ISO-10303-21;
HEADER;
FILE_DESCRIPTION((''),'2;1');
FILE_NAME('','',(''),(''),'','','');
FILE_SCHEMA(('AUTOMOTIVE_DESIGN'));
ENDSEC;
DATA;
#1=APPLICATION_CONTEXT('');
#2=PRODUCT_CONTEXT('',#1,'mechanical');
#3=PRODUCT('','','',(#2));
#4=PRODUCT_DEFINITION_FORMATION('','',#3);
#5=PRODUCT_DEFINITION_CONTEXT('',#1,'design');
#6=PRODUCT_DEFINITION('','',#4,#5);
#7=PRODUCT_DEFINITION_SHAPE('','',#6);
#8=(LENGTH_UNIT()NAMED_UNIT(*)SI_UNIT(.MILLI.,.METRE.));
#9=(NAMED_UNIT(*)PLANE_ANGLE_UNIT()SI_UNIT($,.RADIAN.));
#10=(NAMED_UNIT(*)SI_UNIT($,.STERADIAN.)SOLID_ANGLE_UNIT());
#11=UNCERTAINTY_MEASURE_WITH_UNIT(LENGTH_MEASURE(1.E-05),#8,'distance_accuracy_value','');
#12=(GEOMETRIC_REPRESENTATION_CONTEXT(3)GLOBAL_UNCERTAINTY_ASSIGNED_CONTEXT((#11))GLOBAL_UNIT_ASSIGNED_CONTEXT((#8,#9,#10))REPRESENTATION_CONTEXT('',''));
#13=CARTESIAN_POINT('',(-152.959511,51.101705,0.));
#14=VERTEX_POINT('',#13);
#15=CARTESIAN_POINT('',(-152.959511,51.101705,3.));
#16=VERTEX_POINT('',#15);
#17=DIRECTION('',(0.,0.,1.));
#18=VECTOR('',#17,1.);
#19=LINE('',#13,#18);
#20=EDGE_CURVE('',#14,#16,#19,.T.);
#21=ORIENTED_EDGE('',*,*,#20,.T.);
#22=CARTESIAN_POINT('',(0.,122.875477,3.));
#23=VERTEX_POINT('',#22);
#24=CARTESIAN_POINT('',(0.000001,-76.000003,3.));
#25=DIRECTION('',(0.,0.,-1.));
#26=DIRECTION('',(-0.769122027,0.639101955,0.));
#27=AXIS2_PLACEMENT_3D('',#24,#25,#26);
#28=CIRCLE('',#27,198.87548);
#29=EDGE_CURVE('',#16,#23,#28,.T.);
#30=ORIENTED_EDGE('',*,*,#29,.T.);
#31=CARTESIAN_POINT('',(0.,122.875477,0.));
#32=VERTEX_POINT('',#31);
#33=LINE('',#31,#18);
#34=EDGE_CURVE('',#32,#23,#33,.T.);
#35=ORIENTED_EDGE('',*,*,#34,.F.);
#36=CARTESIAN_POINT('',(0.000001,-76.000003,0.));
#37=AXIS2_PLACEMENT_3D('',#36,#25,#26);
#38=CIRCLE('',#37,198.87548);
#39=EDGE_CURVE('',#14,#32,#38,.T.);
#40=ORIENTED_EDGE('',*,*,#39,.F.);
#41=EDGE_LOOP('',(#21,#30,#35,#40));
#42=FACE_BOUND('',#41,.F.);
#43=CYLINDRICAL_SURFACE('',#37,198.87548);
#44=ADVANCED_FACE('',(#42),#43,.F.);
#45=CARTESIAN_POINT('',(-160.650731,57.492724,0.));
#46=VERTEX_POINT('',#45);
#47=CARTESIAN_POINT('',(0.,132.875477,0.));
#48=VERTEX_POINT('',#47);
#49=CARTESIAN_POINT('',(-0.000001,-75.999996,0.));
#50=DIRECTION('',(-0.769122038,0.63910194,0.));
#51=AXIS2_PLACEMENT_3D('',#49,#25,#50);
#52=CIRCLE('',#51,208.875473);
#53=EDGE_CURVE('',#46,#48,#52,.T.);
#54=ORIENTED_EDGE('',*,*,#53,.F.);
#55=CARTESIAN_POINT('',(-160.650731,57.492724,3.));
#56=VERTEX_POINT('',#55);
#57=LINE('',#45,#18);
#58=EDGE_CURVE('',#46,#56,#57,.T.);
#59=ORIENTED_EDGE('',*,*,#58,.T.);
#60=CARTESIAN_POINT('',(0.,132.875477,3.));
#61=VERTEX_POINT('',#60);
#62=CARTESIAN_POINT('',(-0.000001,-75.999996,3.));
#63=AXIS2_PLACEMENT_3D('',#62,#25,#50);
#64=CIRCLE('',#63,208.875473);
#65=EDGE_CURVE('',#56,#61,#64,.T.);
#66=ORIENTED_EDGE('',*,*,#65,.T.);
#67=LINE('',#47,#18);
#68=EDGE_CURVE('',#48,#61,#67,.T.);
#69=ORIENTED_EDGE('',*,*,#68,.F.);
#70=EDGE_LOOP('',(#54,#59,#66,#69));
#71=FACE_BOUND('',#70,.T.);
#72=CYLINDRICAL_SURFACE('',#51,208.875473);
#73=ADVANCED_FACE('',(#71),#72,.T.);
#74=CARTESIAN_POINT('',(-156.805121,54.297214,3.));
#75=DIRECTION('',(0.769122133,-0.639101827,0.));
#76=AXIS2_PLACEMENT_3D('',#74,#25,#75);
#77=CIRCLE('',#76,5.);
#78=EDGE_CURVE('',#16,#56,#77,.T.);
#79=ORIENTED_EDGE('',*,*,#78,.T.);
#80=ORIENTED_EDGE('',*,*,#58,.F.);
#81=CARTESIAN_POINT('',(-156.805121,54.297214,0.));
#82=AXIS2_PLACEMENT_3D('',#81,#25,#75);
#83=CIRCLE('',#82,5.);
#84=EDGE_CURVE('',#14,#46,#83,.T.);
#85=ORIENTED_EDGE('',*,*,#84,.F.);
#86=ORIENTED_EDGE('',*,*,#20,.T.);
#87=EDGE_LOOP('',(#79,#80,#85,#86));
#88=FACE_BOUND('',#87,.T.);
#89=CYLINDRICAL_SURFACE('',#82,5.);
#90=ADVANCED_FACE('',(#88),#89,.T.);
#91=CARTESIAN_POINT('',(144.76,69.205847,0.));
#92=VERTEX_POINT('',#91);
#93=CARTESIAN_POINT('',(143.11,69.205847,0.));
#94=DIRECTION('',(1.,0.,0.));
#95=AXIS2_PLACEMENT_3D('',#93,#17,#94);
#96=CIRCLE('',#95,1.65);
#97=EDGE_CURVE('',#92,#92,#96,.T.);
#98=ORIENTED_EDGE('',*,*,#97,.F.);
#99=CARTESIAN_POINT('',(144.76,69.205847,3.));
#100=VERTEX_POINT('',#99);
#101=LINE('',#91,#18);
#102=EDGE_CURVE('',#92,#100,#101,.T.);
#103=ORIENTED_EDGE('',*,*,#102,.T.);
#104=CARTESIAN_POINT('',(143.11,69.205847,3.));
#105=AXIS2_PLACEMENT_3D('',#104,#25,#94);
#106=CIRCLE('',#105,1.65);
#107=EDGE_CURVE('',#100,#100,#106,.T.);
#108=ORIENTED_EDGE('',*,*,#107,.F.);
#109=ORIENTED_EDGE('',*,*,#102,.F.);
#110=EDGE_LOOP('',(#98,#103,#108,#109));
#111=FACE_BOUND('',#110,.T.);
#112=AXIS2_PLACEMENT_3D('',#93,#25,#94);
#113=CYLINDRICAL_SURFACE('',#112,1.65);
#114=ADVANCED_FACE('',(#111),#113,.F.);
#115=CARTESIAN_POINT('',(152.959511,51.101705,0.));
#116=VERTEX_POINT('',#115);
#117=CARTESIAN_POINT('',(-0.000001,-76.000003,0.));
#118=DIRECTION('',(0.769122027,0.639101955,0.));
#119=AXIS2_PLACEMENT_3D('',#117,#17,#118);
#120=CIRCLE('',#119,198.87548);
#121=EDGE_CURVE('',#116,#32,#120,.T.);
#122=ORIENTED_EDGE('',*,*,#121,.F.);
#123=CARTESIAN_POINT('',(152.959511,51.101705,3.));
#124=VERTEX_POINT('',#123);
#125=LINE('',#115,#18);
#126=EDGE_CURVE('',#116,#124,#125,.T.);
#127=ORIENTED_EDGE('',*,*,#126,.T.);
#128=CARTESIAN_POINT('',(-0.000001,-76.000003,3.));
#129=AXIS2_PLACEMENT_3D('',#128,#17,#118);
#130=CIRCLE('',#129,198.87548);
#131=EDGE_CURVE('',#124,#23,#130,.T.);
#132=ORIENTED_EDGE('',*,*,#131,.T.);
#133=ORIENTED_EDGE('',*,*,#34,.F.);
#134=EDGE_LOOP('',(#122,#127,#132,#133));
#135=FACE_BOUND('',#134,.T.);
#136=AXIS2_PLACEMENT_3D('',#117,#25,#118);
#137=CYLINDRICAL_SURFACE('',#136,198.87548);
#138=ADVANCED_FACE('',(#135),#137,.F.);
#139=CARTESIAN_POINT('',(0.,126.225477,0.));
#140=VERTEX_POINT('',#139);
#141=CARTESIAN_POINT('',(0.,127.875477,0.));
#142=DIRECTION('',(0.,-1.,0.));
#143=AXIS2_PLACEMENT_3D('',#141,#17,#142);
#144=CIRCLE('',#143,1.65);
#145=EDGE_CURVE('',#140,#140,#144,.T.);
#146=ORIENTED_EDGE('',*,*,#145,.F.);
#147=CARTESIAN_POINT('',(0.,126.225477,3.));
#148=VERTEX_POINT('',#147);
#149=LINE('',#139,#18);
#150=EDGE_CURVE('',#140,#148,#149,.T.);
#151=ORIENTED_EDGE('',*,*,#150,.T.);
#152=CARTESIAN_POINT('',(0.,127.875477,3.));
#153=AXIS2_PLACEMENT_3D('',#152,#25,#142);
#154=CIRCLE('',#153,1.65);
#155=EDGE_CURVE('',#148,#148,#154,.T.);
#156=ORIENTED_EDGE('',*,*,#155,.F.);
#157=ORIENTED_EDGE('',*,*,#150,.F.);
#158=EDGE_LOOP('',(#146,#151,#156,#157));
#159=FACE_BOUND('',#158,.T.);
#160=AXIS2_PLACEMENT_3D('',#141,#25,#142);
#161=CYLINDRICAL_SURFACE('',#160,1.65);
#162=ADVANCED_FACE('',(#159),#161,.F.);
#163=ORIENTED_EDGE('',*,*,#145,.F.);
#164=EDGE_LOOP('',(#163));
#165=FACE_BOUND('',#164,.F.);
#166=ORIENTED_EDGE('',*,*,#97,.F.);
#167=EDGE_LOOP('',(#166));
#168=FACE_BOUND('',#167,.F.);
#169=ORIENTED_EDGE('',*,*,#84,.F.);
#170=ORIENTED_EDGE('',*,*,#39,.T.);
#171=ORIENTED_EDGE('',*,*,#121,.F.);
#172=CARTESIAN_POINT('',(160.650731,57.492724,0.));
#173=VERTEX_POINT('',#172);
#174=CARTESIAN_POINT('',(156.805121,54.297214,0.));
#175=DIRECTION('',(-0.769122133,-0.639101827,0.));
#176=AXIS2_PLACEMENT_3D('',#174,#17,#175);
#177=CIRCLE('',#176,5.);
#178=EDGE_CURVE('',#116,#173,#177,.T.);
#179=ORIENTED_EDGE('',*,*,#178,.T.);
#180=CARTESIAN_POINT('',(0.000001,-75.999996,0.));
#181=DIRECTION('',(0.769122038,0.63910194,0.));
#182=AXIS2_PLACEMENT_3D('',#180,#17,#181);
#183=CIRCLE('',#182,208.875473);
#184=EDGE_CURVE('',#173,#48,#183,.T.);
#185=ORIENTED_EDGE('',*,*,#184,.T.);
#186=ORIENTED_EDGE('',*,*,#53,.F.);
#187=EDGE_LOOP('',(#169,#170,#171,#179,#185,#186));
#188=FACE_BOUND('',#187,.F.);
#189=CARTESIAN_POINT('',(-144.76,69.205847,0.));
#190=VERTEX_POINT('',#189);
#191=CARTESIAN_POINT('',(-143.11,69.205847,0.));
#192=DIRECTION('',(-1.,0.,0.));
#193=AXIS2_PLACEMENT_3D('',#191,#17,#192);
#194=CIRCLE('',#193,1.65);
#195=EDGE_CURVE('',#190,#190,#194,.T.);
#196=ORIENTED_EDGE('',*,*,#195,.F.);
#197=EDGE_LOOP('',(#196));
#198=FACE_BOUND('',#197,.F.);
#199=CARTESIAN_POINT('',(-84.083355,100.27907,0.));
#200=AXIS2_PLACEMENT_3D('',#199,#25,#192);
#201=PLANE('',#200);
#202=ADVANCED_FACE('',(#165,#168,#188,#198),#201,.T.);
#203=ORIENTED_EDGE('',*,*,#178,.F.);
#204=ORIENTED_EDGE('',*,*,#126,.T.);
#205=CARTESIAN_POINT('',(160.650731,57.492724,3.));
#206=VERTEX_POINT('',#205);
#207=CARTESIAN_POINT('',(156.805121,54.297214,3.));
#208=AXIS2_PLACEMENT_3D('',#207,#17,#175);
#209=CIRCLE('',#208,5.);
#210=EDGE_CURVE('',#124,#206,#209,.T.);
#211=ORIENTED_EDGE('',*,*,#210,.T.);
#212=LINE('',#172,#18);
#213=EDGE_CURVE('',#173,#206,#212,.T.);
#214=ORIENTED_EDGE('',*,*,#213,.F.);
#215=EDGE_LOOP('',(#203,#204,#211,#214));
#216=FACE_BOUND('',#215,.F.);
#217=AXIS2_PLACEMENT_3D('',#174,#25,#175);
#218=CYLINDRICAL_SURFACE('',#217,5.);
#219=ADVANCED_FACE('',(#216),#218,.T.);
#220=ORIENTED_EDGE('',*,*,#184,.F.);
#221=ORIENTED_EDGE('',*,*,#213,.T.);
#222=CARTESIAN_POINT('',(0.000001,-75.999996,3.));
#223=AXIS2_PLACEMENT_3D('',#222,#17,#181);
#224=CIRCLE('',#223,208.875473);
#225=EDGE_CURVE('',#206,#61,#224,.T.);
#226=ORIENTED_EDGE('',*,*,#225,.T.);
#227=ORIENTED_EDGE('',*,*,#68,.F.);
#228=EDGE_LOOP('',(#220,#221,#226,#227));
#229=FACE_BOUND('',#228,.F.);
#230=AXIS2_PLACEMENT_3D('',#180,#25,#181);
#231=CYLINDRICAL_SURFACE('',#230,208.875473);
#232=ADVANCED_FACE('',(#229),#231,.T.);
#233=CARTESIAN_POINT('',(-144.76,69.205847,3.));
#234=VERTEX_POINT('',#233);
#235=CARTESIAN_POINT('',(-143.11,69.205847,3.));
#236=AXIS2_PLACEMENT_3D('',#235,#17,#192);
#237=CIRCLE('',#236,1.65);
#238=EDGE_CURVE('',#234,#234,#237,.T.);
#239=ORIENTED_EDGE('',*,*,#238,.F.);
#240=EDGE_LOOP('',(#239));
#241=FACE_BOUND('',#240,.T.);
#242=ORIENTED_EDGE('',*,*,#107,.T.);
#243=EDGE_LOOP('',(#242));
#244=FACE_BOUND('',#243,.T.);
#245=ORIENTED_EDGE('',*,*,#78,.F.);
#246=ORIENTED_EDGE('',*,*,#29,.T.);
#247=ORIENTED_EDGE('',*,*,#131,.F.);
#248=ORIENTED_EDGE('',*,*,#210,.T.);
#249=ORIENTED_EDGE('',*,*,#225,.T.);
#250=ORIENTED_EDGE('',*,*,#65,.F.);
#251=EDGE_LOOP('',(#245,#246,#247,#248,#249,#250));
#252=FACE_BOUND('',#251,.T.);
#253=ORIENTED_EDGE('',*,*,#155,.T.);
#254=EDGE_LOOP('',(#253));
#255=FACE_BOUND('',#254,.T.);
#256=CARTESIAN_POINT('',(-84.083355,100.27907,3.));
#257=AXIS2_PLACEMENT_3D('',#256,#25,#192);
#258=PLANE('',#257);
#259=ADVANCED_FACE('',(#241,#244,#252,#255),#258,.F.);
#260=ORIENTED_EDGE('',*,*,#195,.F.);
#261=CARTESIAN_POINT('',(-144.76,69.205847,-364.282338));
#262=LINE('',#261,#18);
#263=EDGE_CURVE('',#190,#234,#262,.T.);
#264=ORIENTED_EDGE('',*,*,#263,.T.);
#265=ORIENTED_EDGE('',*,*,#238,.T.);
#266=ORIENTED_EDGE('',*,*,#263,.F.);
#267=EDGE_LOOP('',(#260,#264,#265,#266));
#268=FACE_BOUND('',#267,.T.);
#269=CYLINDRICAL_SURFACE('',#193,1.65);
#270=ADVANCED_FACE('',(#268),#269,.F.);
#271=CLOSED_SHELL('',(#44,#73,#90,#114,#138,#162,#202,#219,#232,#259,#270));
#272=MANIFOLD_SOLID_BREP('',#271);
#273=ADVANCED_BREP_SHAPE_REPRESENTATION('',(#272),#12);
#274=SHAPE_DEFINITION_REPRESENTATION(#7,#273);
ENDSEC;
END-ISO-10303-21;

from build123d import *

# Parameters (mm, degrees)
PAD014_DEPTH                        = 3
SKETCH055_R                         = 1.65
POCKET019_DEPTH                     = 364.282338
POCKET019_DEPTH_BACK                = 367.282338
BODY001003005003003_PLACEMENT_ANGLE = 60
CLONE023_PLACEMENT_ANGLE            = 60


with BuildPart() as part:
    # Sketch052 → Pad014 (new body)
    with BuildSketch(Plane.XY):
        with BuildLine():
            ThreePointArc((152.959511, 127.101705), (84.480895, 180.040089), (0, 198.875477))
            Line((0, 198.875477), (0, 208.875477))
            ThreePointArc((160.650731, 133.492724), (88.728824, 189.092995), (0, 208.875477))
            ThreePointArc((152.959511, 127.101705), (160.000631, 126.451604), (160.650731, 133.492724))
        make_face()
    pad014 = extrude(amount=PAD014_DEPTH)

    # Sketch055 → Pocket019 (cut, two sides)
    with BuildSketch(Plane.XY) as pocket019_sk:
        with Locations((143.11, 145.205847)):
            Circle(SKETCH055_R)
        with BuildLine():
            Line((0, 202.225477), (0, 205.525477))
            ThreePointArc((0, 202.225477), (1.65, 203.875477), (0, 205.525477))
        make_face()
    pocket019 = extrude(amount=-POCKET019_DEPTH, mode=Mode.SUBTRACT) + extrude(pocket019_sk.sketch, amount=POCKET019_DEPTH_BACK, mode=Mode.SUBTRACT)

    # Mirrored019: Pad014, Pocket019 across Sketch052 V_Axis
    add(pad014.mirror(Plane(origin=(0, 0, 0), x_dir=(0, 0, 1), z_dir=(1, 0, 0))))
    add(pocket019.mirror(Plane(origin=(0, 0, 0), x_dir=(0, 0, 1), z_dir=(1, 0, 0))), mode=Mode.SUBTRACT)


with BuildPart() as part_1:
    # Body001003005003003 placement: moved
    add(part.part.rotate(Axis((0, 0, 0), (0, 0, 1)), BODY001003005003003_PLACEMENT_ANGLE))


with BuildPart() as part_2:
    # Clone023 placement: moved
    add(part_1.part.moved(Location((0, -76, 0))).rotate(Axis((0, -76, 0), (0, 0, -1)), CLONE023_PLACEMENT_ANGLE))


solid = part_2.part
